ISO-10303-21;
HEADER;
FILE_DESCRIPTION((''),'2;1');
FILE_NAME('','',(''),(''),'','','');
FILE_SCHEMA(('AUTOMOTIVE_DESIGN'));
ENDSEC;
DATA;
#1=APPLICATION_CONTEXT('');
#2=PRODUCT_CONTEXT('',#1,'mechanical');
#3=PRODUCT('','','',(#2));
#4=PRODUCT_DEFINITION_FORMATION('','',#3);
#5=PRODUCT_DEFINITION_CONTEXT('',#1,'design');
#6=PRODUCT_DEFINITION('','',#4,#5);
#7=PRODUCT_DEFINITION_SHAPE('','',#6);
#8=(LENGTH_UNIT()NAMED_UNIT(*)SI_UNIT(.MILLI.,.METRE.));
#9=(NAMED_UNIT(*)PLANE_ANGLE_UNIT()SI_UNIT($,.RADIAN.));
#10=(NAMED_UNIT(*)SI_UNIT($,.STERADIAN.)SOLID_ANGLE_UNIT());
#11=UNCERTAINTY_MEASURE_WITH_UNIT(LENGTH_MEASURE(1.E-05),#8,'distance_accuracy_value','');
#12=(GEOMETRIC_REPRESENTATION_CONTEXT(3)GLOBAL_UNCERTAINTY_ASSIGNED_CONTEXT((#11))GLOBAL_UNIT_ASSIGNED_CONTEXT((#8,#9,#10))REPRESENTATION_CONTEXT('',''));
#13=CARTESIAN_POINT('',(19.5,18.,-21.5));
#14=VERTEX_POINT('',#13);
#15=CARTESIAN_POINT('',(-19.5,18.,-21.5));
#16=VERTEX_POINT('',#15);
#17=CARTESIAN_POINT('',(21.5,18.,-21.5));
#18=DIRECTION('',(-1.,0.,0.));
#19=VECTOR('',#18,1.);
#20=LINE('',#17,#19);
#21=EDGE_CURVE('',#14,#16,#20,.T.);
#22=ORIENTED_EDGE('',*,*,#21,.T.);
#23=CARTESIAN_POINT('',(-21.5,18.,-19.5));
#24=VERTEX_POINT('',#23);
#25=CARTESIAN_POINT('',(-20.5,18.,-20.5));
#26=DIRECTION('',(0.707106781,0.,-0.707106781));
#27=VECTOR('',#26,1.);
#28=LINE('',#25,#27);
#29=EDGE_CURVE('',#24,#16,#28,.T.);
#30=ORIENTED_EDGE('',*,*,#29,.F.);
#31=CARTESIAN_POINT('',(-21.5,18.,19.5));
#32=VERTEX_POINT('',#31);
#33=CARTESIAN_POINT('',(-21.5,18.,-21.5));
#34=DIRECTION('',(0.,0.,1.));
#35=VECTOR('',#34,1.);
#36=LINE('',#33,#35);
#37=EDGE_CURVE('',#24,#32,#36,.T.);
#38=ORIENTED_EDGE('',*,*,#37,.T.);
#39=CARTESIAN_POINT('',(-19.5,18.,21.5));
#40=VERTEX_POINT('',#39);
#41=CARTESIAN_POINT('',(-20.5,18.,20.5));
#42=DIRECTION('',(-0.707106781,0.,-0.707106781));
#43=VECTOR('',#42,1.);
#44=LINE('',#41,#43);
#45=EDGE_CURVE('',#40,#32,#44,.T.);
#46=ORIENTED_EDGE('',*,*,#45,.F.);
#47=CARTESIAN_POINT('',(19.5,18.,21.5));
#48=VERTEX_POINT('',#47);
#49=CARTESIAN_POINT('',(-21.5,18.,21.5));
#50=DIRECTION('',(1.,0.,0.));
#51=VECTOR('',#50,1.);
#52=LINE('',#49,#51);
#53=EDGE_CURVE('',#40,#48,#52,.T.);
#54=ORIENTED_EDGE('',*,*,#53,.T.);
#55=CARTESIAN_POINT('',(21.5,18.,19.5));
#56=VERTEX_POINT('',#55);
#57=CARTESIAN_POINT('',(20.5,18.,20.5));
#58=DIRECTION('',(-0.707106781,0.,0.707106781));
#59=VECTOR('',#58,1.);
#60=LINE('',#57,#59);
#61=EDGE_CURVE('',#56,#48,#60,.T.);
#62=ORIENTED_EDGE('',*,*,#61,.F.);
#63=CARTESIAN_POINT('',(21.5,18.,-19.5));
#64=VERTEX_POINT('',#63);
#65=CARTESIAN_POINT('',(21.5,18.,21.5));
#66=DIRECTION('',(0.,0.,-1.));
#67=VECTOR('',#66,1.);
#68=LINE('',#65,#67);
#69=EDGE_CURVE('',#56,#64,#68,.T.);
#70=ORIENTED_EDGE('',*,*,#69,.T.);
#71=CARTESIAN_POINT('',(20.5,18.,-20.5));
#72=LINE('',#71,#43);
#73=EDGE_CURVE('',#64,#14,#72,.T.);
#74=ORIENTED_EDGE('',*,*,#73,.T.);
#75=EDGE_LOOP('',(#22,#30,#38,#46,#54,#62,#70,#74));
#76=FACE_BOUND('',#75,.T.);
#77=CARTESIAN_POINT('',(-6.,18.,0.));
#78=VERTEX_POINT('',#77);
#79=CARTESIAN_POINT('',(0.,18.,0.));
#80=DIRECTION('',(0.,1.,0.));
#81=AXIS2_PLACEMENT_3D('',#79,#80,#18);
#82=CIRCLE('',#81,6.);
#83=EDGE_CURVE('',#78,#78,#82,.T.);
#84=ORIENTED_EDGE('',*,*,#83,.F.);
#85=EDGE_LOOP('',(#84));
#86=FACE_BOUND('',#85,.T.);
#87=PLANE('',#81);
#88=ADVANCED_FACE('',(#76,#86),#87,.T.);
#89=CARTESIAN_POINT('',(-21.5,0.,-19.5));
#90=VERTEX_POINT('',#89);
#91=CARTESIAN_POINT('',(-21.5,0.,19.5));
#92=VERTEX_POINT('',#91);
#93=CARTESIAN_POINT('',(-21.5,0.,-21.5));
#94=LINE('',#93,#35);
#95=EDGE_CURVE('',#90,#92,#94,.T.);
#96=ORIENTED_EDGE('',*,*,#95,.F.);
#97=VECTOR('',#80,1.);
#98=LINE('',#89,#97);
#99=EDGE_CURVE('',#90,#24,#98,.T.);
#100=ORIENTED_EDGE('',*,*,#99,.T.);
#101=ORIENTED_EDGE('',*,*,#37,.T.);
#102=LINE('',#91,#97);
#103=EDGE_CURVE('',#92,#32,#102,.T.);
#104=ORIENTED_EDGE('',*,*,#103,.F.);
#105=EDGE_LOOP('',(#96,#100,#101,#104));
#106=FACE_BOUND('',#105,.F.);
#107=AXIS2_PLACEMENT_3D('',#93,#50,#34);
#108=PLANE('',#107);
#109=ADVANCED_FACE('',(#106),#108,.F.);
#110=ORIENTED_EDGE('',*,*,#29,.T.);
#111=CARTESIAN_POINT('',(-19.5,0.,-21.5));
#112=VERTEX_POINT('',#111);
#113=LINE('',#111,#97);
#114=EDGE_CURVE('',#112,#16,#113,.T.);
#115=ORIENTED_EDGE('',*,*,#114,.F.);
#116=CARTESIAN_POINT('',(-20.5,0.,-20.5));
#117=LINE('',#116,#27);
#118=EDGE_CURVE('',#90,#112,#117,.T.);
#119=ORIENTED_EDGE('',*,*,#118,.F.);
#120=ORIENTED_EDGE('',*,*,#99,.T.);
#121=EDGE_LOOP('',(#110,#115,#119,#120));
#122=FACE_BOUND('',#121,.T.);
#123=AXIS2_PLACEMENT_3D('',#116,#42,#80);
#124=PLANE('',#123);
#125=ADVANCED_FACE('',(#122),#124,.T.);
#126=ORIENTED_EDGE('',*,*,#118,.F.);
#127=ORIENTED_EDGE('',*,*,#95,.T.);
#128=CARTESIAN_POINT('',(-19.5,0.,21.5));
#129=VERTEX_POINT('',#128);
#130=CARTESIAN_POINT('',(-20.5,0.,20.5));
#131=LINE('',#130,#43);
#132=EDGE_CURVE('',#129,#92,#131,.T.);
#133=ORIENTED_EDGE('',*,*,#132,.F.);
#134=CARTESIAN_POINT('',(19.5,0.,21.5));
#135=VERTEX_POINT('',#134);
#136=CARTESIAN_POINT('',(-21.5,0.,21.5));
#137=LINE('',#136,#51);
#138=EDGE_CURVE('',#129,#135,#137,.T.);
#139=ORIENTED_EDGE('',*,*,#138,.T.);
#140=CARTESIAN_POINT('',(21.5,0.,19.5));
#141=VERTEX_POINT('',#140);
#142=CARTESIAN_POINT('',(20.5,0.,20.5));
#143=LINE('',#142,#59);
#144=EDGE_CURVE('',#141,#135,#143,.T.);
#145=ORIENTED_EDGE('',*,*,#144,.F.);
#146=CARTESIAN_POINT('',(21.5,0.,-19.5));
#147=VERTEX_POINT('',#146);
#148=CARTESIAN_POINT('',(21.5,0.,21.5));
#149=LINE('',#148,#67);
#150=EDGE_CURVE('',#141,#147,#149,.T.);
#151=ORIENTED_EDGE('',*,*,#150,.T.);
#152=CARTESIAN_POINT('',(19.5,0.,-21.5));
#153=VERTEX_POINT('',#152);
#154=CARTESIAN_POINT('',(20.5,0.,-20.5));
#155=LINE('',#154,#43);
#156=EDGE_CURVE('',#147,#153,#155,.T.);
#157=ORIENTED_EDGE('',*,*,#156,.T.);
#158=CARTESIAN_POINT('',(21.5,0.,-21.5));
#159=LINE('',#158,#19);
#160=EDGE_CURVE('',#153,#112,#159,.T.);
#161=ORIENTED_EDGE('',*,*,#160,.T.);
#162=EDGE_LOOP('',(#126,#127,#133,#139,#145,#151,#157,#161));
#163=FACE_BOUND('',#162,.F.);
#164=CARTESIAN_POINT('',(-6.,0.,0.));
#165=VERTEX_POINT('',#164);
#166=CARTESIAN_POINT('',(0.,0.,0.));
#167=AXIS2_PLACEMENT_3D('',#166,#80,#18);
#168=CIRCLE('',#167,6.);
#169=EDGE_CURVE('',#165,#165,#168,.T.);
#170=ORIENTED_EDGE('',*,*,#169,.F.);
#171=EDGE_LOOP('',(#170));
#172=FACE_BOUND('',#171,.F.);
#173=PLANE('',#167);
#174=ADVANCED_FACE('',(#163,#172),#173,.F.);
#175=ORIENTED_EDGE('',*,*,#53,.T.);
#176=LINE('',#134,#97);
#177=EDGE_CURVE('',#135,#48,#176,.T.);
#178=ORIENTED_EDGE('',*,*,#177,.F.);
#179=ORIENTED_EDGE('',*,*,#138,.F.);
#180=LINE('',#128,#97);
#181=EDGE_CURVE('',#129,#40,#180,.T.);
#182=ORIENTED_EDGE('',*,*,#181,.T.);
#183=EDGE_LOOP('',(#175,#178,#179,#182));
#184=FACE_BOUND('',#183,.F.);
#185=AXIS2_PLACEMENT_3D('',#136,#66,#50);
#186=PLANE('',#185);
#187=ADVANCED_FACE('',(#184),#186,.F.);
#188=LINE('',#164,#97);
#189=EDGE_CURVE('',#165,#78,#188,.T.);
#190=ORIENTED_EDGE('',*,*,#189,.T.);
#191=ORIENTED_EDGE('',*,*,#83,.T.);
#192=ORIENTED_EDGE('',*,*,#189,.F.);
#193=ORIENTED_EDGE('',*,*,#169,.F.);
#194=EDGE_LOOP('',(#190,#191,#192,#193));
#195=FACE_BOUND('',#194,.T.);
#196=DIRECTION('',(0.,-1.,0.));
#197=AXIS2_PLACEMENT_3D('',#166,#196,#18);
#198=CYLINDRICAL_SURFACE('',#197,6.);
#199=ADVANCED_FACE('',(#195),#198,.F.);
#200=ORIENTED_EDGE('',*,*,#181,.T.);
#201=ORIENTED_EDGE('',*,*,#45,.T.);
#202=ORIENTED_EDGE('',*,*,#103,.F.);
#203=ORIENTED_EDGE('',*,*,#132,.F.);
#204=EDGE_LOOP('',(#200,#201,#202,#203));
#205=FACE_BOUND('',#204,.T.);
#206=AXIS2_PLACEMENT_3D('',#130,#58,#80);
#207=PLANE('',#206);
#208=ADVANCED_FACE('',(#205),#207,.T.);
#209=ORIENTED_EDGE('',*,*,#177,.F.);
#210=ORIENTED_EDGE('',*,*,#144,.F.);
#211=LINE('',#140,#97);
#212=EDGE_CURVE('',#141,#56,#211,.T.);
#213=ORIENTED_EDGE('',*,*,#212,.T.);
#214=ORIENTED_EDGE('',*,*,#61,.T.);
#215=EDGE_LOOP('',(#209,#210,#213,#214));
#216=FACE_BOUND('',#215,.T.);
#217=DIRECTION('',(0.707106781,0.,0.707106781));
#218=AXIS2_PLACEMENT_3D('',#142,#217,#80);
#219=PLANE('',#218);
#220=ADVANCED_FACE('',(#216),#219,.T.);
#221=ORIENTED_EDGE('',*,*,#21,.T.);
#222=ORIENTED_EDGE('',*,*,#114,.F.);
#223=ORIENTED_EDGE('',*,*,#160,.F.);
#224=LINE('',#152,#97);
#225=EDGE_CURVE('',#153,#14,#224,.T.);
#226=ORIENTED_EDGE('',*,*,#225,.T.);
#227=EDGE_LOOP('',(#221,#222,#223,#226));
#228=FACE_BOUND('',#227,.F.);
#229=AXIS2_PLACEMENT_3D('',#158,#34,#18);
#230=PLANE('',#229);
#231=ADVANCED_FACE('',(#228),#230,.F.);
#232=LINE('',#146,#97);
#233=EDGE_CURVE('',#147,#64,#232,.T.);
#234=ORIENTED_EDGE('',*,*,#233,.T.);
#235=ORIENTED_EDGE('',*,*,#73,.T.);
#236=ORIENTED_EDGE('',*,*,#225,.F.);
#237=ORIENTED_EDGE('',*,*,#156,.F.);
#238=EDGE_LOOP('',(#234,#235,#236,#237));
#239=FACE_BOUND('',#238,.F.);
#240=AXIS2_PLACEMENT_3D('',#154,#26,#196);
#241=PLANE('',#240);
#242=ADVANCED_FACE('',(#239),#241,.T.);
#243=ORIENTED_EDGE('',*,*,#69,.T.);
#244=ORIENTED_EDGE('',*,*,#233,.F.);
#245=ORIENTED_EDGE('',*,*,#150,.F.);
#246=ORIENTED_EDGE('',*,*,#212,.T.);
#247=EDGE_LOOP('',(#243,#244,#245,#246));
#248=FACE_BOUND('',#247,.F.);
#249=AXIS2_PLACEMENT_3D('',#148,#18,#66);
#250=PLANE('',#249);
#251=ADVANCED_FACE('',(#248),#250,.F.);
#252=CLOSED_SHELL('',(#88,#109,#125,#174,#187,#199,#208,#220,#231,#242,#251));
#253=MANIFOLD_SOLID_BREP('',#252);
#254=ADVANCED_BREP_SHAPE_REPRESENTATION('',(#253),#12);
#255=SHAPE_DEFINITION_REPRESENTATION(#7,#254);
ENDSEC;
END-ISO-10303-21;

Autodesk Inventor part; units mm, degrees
ref_plane "YZ Plane" through (0, 0, 0) normal (1, 0, 0) x (0, 1, 0)
ref_plane "XZ Plane" through (0, 0, 0) normal (0, 1, 0) x (-1, 0, 0)
ref_plane "XY Plane" through (0, 0, 0) normal (0, 0, 1) x (1, 0, 0)
sketch "スケッチ1" plane through (0, 0, 0) normal (0, 1, 0) x (-1, 0, 0)
  line L0 (-21.5, -21.5) -> (21.5, -21.5)
  line L1 (21.5, -21.5) -> (21.5, 21.5)
  line L2 (21.5, 21.5) -> (-21.5, 21.5)
  line L3 (-21.5, 21.5) -> (-21.5, -21.5)
  line L4 (-21.5, -21.5) -> (21.5, 21.5) construction
  line L5 (21.5, -21.5) -> (-21.5, 21.5) construction
  point P0 (0, 0)
  dimension "d0" = 43
  dimension "d1" = 43
extrude "押し出し1" add sketch "スケッチ1" along normal blind 18
chamfer "面取り1" distance 2 angle 45 1 edges at (21.5, 9, 21.5)
chamfer "面取り2" distance 2 angle 45 1 edges at (21.5, 9, -21.5)
chamfer "面取り3" distance 2 angle 45 1 edges at (-21.5, 9, 21.5)
chamfer "面取り4" distance 2 angle 45 1 edges at (-21.5, 9, -21.5)
sketch "スケッチ2" plane through (0, 0, 0) normal (0, 1, 0) x (-1, 0, 0)
  circle A0 centre (0, 0) radius 6
  dimension "d16" = 12
extrude "押し出し2" cut sketch "スケッチ2" along normal blind 18
properties part number "GearHead1"
